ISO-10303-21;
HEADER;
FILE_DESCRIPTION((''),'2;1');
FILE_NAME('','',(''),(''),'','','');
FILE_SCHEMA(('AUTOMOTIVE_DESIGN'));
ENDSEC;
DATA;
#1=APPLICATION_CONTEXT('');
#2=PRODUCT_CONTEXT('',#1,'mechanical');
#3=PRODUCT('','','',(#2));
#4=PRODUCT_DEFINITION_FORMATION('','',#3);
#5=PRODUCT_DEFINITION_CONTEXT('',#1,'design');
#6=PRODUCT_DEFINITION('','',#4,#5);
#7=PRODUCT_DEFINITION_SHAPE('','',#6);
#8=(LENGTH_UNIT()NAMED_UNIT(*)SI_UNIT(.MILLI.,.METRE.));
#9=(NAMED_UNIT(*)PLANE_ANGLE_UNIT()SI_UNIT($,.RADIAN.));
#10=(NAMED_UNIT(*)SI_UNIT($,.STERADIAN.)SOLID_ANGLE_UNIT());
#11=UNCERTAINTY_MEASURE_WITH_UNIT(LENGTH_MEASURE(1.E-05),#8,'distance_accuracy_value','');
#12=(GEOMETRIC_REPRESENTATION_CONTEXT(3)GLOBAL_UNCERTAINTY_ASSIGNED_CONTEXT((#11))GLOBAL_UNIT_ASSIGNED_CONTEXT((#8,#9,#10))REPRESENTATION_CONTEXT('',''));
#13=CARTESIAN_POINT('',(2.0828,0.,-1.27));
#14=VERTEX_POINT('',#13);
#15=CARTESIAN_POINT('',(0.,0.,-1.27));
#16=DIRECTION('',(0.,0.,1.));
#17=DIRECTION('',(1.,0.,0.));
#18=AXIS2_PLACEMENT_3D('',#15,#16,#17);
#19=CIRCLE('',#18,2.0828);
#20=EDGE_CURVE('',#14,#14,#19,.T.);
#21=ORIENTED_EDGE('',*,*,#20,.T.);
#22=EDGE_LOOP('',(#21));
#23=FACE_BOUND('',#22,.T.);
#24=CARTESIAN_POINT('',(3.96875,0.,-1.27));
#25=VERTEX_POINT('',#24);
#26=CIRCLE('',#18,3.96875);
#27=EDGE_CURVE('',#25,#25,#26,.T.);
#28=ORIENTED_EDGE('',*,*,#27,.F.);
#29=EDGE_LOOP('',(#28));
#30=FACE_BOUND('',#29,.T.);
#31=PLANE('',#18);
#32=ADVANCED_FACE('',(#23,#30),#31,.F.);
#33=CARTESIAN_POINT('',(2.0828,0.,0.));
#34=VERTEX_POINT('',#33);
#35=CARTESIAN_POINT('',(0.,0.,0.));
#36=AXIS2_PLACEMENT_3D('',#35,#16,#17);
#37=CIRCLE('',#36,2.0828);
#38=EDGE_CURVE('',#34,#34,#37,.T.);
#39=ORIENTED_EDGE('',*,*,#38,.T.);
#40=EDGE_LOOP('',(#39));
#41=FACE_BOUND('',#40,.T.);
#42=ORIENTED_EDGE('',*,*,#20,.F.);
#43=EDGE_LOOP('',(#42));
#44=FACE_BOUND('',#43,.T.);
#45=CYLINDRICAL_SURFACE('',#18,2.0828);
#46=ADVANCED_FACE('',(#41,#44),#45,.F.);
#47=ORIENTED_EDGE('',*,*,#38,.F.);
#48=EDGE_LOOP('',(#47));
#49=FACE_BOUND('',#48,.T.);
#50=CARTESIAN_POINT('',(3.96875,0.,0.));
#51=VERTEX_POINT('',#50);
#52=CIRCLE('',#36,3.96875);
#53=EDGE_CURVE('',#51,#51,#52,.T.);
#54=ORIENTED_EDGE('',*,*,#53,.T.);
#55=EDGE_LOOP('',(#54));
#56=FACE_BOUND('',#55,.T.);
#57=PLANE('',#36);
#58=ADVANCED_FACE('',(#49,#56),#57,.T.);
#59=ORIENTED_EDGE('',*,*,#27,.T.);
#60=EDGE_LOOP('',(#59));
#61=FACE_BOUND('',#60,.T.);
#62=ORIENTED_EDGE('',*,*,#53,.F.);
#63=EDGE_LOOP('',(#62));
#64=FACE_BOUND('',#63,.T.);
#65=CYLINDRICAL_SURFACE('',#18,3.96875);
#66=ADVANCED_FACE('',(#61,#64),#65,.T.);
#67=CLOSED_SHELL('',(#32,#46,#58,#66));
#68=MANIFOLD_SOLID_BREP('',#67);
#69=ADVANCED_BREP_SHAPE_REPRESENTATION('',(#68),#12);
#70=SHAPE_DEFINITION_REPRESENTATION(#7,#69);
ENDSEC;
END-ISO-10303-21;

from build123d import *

# Parameters (mm, degrees)
SKETCH1_R      = 3.96875
SKETCH1_R_2    = 2.0828
EXTRUDE1_DEPTH = 1.27


with BuildPart() as part:
    # Sketch1 → Extrude1 (new body)
    with BuildSketch(Plane.XY):
        Circle(SKETCH1_R)
        Circle(SKETCH1_R_2, mode=Mode.SUBTRACT)
    extrude(amount=-EXTRUDE1_DEPTH)


solid = part.part
